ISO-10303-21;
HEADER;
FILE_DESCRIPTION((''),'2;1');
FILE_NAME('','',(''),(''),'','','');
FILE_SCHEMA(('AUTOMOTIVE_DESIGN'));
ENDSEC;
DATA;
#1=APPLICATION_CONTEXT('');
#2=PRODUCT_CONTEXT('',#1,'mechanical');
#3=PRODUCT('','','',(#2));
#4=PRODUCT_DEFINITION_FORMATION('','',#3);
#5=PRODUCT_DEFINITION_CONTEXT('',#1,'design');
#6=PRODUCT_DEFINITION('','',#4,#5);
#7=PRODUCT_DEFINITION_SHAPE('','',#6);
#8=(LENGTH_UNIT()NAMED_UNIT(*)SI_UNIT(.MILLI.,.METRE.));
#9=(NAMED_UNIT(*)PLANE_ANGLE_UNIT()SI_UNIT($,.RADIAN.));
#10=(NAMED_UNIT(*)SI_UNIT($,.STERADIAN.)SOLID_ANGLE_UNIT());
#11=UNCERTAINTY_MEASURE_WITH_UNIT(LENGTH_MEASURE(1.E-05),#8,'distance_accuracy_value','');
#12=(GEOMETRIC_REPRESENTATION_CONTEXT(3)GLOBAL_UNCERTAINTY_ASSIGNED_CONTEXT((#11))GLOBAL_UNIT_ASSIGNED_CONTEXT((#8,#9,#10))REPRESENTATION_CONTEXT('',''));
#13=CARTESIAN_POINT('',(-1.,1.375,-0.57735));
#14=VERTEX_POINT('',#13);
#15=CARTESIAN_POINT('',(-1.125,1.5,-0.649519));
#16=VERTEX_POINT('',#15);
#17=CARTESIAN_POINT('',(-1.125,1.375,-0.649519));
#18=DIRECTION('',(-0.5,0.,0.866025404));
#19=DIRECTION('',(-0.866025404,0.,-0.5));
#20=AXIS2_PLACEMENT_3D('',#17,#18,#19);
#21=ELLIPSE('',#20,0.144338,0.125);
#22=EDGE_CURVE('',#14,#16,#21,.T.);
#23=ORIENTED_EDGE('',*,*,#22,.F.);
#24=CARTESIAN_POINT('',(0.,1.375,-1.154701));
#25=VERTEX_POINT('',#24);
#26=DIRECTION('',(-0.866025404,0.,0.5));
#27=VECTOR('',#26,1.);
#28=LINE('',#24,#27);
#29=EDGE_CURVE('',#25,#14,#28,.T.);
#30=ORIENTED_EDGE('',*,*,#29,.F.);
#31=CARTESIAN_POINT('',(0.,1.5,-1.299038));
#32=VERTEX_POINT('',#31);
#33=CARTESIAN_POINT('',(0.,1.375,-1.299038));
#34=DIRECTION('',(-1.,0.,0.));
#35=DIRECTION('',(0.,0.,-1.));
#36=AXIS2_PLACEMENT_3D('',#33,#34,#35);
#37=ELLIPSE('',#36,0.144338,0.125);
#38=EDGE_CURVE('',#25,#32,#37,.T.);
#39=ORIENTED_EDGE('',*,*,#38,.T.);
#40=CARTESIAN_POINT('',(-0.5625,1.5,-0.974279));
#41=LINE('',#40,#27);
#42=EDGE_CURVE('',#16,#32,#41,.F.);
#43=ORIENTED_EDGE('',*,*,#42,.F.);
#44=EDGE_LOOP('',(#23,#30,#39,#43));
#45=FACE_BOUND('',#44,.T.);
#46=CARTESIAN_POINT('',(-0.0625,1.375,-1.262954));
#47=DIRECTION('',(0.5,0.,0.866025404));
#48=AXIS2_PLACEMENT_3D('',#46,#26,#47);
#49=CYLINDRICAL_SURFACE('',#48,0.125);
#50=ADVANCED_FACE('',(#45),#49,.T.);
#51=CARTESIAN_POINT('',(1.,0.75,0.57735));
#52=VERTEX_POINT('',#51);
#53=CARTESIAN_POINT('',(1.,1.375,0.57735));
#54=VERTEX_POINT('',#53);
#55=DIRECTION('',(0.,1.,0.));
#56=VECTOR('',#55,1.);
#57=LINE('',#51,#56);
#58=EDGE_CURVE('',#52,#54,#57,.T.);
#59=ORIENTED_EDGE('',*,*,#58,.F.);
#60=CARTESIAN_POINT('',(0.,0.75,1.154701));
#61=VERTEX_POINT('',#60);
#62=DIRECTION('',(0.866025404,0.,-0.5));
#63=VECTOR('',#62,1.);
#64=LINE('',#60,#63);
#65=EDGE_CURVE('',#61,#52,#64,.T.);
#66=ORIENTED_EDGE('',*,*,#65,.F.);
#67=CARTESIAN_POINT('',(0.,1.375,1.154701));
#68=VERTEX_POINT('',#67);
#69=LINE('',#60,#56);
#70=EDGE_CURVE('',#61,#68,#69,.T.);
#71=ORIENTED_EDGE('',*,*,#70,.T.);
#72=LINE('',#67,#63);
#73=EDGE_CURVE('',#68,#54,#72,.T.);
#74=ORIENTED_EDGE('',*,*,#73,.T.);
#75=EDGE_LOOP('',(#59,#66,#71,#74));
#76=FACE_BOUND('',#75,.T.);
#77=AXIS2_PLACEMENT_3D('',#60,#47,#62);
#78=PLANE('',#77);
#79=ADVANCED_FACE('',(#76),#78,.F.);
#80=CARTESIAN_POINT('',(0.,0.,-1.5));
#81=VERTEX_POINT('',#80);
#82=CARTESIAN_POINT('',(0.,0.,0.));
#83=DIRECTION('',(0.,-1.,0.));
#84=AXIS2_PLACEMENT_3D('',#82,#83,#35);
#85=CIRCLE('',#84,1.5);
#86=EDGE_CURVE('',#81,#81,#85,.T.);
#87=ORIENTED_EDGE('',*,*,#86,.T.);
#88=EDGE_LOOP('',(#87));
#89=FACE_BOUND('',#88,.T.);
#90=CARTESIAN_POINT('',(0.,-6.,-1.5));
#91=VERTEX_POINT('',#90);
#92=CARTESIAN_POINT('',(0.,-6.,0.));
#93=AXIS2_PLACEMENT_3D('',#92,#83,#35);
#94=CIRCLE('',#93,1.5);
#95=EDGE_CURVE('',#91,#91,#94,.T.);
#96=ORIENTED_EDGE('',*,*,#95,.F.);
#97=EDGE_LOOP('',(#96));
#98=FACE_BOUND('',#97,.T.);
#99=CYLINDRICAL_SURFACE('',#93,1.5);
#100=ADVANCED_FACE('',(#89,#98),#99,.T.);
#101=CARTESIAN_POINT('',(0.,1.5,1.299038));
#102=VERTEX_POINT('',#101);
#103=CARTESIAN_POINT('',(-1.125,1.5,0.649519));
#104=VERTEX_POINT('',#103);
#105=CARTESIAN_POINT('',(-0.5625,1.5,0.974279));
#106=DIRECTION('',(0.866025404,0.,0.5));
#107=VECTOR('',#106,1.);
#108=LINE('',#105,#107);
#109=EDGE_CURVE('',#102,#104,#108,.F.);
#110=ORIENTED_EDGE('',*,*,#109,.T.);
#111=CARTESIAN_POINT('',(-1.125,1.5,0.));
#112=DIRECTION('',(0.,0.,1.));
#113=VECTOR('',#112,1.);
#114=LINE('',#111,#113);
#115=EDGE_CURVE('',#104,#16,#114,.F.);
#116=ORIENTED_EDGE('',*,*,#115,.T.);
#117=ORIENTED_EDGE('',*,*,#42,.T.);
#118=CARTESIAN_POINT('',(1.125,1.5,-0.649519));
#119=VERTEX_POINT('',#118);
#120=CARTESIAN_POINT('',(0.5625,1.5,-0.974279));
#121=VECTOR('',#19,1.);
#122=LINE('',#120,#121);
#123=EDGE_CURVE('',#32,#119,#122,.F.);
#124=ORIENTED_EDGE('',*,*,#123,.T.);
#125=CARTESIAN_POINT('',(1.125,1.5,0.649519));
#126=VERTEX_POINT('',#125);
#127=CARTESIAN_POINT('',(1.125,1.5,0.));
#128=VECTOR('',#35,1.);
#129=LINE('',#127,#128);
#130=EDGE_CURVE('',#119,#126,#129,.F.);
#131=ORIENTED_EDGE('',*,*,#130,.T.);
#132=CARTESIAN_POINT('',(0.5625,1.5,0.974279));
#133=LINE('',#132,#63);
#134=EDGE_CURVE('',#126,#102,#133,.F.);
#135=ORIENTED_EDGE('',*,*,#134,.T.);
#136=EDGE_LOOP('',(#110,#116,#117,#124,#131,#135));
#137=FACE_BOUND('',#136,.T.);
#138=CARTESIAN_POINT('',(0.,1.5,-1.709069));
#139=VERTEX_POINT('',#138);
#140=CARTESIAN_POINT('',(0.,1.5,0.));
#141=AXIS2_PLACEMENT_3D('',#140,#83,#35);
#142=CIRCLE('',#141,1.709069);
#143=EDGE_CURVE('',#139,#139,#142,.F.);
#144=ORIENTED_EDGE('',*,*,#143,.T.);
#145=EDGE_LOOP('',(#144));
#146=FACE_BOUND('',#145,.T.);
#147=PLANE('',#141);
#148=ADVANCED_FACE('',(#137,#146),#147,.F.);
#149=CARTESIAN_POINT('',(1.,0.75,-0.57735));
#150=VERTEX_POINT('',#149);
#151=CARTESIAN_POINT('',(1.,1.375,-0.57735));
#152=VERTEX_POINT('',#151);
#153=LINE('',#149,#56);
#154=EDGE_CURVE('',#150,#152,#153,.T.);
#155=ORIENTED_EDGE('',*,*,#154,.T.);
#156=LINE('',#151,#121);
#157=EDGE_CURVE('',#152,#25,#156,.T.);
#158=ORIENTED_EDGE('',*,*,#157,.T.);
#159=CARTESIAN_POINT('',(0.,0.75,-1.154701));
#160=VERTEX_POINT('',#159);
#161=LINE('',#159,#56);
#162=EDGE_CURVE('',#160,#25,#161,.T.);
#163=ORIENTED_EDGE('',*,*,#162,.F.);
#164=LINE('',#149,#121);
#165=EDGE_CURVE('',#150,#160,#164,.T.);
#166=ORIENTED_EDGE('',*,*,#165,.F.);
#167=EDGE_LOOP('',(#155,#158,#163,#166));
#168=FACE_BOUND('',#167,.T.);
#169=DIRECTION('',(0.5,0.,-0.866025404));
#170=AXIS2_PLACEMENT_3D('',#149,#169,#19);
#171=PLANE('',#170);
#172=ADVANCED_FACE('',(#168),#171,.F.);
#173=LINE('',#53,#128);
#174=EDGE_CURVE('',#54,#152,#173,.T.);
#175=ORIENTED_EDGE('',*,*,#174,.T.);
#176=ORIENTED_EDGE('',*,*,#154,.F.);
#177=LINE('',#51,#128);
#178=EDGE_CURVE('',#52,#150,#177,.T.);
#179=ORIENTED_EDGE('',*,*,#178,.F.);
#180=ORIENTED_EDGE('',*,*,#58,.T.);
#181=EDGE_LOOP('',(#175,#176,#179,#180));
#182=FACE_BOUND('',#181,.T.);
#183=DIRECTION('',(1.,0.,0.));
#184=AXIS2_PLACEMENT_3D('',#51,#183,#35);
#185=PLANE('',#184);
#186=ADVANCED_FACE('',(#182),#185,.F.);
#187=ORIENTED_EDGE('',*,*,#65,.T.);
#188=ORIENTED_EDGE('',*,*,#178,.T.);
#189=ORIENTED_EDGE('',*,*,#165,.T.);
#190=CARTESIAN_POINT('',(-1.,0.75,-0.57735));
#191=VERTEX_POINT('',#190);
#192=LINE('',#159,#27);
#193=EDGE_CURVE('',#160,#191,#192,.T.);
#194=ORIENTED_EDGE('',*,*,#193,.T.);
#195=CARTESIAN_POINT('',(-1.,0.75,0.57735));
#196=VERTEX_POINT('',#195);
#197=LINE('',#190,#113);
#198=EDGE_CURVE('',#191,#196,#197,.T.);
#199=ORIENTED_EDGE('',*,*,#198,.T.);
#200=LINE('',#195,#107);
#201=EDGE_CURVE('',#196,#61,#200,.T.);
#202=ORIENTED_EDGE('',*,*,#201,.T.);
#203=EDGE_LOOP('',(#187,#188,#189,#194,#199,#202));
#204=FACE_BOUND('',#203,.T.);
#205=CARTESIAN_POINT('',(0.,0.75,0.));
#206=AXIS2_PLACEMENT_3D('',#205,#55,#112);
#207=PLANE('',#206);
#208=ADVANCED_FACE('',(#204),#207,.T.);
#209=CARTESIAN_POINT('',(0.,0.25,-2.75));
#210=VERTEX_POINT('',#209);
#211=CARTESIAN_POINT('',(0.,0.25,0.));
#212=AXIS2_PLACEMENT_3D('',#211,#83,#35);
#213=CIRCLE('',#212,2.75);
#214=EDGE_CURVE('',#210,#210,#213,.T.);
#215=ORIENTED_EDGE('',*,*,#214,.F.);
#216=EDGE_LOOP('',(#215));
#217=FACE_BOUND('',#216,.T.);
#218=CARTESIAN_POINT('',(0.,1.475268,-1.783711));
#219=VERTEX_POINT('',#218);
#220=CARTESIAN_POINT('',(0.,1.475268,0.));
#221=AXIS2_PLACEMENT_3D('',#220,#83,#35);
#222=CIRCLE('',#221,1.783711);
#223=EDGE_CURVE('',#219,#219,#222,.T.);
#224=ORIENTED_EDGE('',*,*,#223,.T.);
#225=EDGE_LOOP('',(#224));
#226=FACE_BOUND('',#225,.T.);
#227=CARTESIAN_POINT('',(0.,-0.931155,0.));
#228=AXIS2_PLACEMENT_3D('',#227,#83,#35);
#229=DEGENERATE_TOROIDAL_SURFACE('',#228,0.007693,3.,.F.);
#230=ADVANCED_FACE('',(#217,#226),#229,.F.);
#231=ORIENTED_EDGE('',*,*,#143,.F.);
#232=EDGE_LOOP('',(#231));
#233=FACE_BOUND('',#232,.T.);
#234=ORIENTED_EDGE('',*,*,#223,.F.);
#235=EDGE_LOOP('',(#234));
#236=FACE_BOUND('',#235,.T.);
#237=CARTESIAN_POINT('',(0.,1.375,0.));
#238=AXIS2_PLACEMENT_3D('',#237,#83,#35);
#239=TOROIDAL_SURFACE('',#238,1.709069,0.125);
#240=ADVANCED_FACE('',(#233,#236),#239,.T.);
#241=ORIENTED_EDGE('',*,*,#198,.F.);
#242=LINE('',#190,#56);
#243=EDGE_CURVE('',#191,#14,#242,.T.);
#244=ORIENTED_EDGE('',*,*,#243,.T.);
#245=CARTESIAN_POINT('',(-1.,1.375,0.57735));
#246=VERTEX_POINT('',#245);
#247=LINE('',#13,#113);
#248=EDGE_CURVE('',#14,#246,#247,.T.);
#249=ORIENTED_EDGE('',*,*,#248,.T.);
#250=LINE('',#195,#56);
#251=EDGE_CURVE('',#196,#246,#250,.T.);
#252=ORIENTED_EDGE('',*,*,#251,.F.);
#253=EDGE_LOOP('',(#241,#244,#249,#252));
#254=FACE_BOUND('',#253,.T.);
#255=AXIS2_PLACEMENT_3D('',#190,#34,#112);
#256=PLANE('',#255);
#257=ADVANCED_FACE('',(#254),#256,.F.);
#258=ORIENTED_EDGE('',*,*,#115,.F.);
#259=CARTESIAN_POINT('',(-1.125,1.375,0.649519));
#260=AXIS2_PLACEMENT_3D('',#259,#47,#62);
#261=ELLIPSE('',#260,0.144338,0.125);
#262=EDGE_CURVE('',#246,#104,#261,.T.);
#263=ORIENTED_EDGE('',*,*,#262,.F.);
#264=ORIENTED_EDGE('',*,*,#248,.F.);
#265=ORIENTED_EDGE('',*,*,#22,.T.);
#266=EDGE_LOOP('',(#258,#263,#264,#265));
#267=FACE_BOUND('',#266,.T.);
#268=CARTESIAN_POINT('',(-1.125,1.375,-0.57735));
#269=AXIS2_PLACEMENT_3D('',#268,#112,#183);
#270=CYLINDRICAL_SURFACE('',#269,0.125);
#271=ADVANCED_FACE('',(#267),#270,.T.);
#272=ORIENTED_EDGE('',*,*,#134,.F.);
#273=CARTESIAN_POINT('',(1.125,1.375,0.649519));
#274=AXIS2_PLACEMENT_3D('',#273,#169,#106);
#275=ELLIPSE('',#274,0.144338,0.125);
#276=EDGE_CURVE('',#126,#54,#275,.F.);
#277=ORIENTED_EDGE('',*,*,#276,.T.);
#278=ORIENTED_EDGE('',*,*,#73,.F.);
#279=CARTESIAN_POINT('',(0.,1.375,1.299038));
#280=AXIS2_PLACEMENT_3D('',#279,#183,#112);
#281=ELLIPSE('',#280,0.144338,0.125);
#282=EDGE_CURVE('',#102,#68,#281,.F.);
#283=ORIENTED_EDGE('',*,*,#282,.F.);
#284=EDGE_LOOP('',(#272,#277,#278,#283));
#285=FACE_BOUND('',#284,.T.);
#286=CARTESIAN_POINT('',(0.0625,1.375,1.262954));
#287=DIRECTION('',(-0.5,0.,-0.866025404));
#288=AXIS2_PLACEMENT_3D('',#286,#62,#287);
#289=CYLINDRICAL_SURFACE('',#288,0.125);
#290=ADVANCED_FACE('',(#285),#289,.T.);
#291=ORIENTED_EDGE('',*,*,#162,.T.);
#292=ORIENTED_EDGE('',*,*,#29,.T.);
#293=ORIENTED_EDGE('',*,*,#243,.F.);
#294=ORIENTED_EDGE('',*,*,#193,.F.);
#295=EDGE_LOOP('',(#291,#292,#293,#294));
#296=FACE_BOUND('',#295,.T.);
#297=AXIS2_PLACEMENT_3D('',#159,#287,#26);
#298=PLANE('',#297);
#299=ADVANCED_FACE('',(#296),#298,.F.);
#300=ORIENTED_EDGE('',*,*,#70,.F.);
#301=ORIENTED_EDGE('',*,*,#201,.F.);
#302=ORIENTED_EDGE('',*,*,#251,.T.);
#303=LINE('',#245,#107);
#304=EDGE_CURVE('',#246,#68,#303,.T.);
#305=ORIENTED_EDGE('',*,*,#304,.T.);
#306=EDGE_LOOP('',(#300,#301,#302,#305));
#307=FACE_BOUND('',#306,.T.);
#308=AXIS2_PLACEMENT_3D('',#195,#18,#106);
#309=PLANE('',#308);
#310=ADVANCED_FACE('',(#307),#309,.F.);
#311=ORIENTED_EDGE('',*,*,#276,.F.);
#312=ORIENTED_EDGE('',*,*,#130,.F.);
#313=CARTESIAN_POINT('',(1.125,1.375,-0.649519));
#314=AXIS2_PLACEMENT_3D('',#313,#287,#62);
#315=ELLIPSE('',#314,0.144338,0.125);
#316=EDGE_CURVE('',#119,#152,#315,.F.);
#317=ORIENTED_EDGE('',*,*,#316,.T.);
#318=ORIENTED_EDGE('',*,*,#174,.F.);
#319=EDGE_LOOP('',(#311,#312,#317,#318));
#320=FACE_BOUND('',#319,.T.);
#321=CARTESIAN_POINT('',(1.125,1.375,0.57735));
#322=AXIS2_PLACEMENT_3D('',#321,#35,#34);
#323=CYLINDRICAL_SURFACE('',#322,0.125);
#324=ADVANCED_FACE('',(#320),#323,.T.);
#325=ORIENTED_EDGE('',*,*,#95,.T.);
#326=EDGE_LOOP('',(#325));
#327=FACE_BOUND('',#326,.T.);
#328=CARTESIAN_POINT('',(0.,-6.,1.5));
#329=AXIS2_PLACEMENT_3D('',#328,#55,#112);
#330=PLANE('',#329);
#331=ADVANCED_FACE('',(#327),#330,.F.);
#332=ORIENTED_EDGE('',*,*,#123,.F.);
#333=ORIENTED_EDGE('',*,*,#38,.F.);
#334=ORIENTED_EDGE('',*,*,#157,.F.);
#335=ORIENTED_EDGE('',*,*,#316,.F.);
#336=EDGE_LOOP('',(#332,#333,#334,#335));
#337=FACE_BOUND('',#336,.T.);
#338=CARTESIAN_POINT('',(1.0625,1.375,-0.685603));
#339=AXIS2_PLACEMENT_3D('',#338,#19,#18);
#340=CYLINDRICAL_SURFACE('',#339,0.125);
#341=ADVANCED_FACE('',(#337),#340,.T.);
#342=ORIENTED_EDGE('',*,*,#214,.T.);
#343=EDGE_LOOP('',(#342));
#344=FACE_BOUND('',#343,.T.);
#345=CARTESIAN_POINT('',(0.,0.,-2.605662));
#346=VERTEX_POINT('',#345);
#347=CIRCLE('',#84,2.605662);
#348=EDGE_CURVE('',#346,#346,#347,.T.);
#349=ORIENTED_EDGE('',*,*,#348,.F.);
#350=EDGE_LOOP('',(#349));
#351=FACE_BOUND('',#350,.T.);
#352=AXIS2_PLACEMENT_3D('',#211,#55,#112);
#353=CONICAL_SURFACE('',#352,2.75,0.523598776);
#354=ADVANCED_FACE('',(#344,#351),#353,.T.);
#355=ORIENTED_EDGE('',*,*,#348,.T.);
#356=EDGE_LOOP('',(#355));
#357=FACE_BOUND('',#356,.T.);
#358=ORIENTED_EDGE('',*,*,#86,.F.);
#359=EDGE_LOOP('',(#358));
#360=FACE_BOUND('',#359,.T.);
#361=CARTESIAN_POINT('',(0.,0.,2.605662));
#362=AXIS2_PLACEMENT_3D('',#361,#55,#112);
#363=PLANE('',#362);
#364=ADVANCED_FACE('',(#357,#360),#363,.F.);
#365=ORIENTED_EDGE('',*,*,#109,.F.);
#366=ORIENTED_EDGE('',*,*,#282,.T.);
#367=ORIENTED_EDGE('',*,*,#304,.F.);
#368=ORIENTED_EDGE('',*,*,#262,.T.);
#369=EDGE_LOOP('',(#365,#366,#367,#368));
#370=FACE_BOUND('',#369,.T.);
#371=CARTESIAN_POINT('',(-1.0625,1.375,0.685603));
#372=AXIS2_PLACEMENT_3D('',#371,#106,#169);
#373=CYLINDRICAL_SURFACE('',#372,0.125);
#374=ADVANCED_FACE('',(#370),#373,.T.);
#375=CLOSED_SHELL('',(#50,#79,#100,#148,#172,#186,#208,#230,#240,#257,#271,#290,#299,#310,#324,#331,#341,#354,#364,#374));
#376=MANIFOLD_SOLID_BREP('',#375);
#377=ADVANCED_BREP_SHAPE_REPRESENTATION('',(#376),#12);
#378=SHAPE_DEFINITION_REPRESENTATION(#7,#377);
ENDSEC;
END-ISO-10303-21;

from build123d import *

# Parameters (mm, degrees)
CUT_EXTRUDE1_DEPTH = 0.75
FILLET1_R          = 0.125


with BuildPart() as part:
    # Sketch1 → Revolve1 (revolve)
    with BuildSketch(Plane(origin=(0, 0, 0), x_dir=(0, 0, -1), z_dir=(1, 0, 0)), mode=Mode.PRIVATE) as revolve1_sk:
        with BuildLine():
            Line((0, 1.5), (-1.75, 1.5))
            ThreePointArc((-1.75, 1.5), (-2.334912942, 0.942930354), (-2.75, 0.25))
            Line((-2.75, 0.25), (-2.605662433, 0))
            Line((-2.605662433, 0), (-1.5, 0))
            Line((-1.5, 0), (-1.5, -6))
            Line((-1.5, -6), (0, -6))
            Line((0, -6), (0, 1.5))
        make_face()
    revolve(revolve1_sk.sketch.rotate(Axis((0, -6, 0), (0, 1, 0)), 180), axis=Axis((0, -6, 0), (0, 1, 0)))

    # Sketch2 → Cut-Extrude1 (cut)
    with BuildSketch(Plane(origin=(0, 1.5, 0), x_dir=(1, 0, 0), z_dir=(0, 1, 0))):
        Polygon((0, 1.154700538), (-1, 0.577350269), (-1, -0.577350269), (0, -1.154700538), (1, -0.577350269), (1, 0.577350269), align=None)
    extrude(amount=-CUT_EXTRUDE1_DEPTH, mode=Mode.SUBTRACT)

    # Fillet1
    fillet1_edges = [part.edges().sort_by_distance(p)[0] for p in [
        (0.5, 1.5, -0.866025404),
        (-0.5, 1.5, -0.866025404),
        (-1, 1.5, 0),
        (-0.5, 1.5, 0.866025404),
        (0.5, 1.5, 0.866025404),
        (1, 1.5, 0),
        (0, 1.5, 1.75),
    ]]
    fillet(fillet1_edges, radius=FILLET1_R)


solid = part.part
